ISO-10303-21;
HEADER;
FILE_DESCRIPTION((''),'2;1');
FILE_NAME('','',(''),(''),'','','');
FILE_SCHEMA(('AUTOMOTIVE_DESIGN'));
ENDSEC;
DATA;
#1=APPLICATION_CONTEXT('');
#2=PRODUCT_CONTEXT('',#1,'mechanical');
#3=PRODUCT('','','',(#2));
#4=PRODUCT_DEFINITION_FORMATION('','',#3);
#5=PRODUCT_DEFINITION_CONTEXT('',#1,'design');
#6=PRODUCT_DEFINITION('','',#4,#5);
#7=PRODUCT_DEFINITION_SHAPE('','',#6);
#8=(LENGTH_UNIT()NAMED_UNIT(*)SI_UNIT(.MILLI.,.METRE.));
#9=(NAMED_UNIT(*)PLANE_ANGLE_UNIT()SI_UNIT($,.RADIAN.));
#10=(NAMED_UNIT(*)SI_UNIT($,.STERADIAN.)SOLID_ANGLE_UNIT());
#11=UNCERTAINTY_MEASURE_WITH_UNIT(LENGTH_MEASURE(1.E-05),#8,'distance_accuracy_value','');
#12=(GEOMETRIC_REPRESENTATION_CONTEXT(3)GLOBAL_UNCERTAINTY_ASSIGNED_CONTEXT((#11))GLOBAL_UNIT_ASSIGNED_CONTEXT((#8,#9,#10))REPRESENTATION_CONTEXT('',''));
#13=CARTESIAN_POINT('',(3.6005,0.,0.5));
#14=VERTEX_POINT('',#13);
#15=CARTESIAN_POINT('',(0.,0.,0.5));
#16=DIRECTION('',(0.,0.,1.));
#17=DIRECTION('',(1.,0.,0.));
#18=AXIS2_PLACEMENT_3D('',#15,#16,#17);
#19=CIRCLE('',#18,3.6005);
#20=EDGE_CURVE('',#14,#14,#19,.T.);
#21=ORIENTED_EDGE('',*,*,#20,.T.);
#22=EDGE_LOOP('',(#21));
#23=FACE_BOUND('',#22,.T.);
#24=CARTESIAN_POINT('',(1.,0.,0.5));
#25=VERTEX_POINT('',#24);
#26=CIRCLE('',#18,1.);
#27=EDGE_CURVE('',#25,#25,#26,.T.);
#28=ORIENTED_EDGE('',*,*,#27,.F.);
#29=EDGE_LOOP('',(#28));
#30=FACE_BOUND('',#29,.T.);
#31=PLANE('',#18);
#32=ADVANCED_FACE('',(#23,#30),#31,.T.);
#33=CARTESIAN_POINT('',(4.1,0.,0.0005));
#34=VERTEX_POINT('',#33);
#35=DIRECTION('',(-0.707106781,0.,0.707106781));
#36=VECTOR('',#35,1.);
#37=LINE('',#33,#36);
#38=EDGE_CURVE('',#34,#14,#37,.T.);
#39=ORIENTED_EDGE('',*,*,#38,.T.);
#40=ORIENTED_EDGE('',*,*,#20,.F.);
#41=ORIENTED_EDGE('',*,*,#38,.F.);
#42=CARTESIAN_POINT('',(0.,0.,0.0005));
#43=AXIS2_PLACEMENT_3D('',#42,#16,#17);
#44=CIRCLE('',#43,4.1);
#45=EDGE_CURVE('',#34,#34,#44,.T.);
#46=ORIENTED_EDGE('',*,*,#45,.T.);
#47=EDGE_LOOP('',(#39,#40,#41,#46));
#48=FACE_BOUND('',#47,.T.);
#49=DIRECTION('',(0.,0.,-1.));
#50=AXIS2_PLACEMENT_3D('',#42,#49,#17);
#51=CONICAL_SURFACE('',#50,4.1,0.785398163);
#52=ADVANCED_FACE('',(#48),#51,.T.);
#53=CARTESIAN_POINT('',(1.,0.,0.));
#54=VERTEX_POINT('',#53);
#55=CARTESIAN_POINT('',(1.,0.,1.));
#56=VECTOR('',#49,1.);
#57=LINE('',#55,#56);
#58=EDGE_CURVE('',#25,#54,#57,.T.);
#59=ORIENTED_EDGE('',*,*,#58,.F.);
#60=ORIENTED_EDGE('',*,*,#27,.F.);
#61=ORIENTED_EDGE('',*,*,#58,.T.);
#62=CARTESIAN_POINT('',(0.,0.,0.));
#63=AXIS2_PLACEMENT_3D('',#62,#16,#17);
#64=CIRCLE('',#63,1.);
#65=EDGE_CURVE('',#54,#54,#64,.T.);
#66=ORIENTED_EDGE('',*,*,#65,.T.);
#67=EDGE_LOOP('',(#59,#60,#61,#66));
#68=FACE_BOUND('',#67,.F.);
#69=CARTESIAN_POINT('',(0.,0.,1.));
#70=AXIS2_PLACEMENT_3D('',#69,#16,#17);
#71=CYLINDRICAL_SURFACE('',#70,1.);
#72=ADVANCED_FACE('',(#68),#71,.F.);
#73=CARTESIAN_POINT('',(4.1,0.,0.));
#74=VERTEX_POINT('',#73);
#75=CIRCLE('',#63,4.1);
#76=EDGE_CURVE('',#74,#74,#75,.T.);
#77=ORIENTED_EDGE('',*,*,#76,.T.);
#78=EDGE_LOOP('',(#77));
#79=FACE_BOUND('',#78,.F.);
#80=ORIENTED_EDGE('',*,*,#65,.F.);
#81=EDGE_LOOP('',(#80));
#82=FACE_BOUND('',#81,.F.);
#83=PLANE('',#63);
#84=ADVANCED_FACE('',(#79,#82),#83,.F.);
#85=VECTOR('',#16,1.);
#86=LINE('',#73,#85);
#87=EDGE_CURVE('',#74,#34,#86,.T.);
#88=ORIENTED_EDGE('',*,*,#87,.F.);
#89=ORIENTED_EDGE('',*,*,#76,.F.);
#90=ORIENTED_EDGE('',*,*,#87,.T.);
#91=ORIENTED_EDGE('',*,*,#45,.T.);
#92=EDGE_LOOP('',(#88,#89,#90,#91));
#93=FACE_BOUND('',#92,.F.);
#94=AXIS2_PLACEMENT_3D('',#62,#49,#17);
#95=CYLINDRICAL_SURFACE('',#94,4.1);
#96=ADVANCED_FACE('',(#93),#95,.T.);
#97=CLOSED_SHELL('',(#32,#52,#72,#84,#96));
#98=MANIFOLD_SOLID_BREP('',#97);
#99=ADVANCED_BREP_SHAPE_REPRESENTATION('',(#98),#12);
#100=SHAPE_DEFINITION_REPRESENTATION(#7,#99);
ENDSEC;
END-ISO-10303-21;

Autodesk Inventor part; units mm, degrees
ref_plane "YZ Plane" through (0, 0, 0) normal (1, 0, 0) x (0, 1, 0)
ref_plane "XZ Plane" through (0, 0, 0) normal (0, 1, 0) x (-1, 0, 0)
ref_plane "XY Plane" through (0, 0, 0) normal (0, 0, 1) x (1, 0, 0)
sketch "スケッチ1" plane through (0, 0, 0) normal (0, 0, 1) x (1, 0, 0)
  circle A0 centre (0, 0) radius 4.1
  dimension "d0" = 8.2
extrude "押し出し1" add sketch "スケッチ1" along normal blind 1
chamfer "面取り1" distance 1 angle 45 1 edges at (-4.1, 0, 1) measured on face at (0.2975, 0.2635, 1)
sketch "スケッチ2" plane through (0, 0, 1) normal (0, 0, 1) x (1, 0, 0)
  circle A0 centre (0, 0) radius 1
  dimension "d6" = 2
extrude "押し出し2" cut sketch "スケッチ2" against normal blind 1
sketch "スケッチ3" plane through (0, 0, 1) normal (0, 0, 1) x (1, 0, 0)
  circle A0 centre (0, 0) radius 4.8361
extrude "押し出し3" cut sketch "スケッチ3" against normal blind 0.5
properties part number "blade" material "ステンレス鋼"
